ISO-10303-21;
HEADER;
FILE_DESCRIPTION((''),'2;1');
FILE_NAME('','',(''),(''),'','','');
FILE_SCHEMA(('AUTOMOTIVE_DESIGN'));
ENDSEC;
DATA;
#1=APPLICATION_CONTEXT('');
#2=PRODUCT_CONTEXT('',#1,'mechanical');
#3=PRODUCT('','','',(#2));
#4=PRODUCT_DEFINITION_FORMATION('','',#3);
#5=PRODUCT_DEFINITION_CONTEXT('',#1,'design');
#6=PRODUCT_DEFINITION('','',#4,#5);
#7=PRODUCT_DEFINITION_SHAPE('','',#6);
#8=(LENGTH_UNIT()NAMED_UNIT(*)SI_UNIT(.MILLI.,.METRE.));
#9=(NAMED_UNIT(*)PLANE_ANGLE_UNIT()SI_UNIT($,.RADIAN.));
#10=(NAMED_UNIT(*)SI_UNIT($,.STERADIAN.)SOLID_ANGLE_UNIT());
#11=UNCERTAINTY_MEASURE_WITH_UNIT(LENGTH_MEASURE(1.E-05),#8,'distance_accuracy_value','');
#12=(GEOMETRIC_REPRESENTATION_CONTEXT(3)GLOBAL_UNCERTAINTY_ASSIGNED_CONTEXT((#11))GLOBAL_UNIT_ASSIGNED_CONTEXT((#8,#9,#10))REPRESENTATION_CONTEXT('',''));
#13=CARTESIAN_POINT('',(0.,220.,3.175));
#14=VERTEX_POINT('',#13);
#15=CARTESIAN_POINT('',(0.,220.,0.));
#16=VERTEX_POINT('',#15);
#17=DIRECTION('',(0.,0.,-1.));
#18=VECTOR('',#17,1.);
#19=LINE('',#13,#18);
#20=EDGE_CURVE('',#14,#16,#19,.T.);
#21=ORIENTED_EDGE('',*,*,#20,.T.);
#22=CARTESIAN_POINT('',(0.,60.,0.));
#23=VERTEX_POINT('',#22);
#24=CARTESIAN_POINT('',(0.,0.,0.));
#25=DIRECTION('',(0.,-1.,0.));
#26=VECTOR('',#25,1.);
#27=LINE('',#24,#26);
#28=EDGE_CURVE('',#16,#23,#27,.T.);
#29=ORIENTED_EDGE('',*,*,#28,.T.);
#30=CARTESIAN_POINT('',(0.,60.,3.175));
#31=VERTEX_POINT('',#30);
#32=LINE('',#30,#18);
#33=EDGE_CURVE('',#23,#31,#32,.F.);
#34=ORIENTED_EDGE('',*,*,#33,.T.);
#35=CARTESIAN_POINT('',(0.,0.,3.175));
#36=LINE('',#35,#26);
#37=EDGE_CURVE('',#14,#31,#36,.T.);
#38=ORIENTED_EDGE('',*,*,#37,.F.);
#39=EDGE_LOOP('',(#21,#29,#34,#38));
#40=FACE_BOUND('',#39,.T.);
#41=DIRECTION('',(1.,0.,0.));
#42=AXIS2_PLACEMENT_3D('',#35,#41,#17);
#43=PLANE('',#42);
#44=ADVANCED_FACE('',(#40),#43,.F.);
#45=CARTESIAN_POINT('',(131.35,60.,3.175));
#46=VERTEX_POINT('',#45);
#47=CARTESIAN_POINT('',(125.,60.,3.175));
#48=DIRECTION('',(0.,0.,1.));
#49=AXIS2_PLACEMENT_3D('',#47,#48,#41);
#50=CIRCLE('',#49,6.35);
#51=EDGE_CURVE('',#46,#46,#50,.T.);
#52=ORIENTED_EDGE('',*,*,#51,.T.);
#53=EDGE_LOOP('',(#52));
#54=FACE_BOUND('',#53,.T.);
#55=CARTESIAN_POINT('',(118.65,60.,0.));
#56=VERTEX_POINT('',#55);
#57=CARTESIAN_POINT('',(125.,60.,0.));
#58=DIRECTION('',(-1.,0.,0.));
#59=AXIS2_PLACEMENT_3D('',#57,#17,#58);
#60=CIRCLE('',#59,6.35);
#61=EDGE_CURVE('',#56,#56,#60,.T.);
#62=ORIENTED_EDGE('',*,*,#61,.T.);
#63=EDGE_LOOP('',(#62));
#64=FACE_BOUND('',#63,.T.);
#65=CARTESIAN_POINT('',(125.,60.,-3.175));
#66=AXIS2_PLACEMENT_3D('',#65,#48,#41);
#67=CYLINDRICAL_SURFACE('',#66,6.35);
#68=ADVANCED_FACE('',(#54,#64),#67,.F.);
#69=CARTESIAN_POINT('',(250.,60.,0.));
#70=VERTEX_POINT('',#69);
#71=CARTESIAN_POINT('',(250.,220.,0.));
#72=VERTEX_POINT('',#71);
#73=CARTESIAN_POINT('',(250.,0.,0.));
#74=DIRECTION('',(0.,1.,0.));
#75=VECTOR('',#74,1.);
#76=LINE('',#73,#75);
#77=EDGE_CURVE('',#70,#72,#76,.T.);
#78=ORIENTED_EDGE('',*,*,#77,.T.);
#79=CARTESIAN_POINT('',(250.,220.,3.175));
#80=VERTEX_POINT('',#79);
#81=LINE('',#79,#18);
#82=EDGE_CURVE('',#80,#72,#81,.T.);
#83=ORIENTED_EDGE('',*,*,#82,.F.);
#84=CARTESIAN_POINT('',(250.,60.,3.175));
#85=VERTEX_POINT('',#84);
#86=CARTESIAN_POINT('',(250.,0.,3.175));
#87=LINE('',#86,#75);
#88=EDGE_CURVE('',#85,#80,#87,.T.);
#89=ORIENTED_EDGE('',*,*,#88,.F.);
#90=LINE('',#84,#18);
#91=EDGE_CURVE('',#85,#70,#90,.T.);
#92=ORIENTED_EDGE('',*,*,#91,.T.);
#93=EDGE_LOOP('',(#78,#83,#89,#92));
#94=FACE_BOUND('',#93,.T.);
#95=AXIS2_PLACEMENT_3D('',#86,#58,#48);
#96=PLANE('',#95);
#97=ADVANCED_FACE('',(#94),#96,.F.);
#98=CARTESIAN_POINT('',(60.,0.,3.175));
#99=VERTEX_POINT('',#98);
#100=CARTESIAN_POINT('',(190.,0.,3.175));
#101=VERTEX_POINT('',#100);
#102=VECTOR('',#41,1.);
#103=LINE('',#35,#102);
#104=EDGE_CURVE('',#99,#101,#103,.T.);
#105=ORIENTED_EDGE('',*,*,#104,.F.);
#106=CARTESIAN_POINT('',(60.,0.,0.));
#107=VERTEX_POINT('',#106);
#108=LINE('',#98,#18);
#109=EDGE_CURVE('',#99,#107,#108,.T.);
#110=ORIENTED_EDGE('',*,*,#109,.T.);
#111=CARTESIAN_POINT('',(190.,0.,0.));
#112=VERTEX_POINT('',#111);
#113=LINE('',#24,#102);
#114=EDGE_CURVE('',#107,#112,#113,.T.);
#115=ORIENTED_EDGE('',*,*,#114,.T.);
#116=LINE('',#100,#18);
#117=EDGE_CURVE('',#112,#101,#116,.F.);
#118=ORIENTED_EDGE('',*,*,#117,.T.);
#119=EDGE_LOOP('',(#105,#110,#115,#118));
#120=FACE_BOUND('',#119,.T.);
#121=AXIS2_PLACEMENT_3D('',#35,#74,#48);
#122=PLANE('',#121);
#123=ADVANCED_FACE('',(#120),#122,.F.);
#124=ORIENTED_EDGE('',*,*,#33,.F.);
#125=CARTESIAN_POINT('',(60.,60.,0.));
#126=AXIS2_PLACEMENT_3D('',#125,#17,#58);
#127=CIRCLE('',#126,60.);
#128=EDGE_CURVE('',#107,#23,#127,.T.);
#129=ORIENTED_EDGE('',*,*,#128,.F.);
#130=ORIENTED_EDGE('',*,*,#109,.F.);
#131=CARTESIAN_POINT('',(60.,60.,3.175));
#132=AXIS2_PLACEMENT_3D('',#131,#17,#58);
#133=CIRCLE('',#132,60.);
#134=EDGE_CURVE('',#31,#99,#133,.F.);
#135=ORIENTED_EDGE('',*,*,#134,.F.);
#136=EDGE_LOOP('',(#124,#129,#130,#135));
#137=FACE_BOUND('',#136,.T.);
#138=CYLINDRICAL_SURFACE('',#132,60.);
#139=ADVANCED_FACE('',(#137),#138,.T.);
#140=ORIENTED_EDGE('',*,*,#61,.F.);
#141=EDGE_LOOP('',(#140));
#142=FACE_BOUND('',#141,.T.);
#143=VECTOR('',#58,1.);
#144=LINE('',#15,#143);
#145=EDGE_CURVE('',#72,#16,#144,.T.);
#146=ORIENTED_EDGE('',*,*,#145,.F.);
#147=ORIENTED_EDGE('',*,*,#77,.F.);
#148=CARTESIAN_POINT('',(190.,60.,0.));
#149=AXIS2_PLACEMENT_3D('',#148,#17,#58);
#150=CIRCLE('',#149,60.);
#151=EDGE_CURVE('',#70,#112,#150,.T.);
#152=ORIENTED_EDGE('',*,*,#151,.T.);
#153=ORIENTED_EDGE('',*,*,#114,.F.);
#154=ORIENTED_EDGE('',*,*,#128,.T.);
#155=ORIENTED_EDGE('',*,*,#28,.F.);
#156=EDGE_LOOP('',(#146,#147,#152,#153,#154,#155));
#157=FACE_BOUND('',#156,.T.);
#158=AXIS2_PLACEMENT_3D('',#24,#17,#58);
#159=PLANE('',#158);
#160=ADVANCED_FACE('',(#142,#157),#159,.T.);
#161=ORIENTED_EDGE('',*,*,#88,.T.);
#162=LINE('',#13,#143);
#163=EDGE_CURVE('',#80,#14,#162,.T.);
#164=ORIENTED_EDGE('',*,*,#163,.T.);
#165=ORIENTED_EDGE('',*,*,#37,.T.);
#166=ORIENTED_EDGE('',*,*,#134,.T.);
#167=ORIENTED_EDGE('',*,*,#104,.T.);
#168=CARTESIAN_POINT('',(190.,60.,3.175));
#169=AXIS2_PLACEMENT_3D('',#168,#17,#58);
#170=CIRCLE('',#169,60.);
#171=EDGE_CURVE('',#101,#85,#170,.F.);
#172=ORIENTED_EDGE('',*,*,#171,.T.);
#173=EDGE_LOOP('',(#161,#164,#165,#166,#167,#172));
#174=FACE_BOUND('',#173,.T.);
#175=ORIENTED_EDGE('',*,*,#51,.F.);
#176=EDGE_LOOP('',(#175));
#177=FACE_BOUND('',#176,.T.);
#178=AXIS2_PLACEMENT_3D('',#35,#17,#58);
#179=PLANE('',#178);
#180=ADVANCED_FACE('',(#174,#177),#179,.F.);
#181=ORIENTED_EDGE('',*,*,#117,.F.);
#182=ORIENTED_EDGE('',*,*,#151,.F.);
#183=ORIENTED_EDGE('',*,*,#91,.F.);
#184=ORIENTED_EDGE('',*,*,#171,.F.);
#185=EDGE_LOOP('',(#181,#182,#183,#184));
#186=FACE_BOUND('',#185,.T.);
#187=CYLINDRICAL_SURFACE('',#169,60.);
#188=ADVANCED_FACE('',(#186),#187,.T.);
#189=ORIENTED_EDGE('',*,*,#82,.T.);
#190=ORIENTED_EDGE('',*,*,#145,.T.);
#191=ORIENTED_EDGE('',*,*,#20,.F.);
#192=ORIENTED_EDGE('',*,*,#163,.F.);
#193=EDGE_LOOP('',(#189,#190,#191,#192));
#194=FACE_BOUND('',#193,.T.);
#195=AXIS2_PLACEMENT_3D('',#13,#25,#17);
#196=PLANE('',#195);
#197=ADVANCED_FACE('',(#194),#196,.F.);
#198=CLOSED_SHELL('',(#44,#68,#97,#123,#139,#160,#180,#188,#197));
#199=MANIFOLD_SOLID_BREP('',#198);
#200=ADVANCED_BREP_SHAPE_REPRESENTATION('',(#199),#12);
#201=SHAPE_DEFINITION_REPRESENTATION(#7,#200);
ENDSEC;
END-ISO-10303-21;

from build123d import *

# Parameters (mm, degrees)
CROQUIS1_W              = 250
CROQUIS1_H              = 220
SALIENTE_EXTRUIR1_DEPTH = 3.175
REDONDEO1_R             = 60
CROQUIS2_R              = 6.35
CORTAR_EXTRUIR1_DEPTH   = 6.35


with BuildPart() as part:
    # Croquis1 → Saliente-Extruir1 (new body)
    with BuildSketch(Plane.XY):
        with Locations((125, 110)):
            Rectangle(CROQUIS1_W, CROQUIS1_H)
    extrude(amount=SALIENTE_EXTRUIR1_DEPTH)

    # Redondeo1
    redondeo1_edges = [part.edges().sort_by_distance(p)[0] for p in [
        (250, 0, 1.5875),
        (0, 0, 1.5875),
    ]]
    fillet(redondeo1_edges, radius=REDONDEO1_R)

    # Croquis2 → Cortar-Extruir1 (cut)
    with BuildSketch(Plane.XY.offset(3.175)):
        with Locations((125, 60)):
            Circle(CROQUIS2_R)
    extrude(amount=-CORTAR_EXTRUIR1_DEPTH, mode=Mode.SUBTRACT)


solid = part.part
